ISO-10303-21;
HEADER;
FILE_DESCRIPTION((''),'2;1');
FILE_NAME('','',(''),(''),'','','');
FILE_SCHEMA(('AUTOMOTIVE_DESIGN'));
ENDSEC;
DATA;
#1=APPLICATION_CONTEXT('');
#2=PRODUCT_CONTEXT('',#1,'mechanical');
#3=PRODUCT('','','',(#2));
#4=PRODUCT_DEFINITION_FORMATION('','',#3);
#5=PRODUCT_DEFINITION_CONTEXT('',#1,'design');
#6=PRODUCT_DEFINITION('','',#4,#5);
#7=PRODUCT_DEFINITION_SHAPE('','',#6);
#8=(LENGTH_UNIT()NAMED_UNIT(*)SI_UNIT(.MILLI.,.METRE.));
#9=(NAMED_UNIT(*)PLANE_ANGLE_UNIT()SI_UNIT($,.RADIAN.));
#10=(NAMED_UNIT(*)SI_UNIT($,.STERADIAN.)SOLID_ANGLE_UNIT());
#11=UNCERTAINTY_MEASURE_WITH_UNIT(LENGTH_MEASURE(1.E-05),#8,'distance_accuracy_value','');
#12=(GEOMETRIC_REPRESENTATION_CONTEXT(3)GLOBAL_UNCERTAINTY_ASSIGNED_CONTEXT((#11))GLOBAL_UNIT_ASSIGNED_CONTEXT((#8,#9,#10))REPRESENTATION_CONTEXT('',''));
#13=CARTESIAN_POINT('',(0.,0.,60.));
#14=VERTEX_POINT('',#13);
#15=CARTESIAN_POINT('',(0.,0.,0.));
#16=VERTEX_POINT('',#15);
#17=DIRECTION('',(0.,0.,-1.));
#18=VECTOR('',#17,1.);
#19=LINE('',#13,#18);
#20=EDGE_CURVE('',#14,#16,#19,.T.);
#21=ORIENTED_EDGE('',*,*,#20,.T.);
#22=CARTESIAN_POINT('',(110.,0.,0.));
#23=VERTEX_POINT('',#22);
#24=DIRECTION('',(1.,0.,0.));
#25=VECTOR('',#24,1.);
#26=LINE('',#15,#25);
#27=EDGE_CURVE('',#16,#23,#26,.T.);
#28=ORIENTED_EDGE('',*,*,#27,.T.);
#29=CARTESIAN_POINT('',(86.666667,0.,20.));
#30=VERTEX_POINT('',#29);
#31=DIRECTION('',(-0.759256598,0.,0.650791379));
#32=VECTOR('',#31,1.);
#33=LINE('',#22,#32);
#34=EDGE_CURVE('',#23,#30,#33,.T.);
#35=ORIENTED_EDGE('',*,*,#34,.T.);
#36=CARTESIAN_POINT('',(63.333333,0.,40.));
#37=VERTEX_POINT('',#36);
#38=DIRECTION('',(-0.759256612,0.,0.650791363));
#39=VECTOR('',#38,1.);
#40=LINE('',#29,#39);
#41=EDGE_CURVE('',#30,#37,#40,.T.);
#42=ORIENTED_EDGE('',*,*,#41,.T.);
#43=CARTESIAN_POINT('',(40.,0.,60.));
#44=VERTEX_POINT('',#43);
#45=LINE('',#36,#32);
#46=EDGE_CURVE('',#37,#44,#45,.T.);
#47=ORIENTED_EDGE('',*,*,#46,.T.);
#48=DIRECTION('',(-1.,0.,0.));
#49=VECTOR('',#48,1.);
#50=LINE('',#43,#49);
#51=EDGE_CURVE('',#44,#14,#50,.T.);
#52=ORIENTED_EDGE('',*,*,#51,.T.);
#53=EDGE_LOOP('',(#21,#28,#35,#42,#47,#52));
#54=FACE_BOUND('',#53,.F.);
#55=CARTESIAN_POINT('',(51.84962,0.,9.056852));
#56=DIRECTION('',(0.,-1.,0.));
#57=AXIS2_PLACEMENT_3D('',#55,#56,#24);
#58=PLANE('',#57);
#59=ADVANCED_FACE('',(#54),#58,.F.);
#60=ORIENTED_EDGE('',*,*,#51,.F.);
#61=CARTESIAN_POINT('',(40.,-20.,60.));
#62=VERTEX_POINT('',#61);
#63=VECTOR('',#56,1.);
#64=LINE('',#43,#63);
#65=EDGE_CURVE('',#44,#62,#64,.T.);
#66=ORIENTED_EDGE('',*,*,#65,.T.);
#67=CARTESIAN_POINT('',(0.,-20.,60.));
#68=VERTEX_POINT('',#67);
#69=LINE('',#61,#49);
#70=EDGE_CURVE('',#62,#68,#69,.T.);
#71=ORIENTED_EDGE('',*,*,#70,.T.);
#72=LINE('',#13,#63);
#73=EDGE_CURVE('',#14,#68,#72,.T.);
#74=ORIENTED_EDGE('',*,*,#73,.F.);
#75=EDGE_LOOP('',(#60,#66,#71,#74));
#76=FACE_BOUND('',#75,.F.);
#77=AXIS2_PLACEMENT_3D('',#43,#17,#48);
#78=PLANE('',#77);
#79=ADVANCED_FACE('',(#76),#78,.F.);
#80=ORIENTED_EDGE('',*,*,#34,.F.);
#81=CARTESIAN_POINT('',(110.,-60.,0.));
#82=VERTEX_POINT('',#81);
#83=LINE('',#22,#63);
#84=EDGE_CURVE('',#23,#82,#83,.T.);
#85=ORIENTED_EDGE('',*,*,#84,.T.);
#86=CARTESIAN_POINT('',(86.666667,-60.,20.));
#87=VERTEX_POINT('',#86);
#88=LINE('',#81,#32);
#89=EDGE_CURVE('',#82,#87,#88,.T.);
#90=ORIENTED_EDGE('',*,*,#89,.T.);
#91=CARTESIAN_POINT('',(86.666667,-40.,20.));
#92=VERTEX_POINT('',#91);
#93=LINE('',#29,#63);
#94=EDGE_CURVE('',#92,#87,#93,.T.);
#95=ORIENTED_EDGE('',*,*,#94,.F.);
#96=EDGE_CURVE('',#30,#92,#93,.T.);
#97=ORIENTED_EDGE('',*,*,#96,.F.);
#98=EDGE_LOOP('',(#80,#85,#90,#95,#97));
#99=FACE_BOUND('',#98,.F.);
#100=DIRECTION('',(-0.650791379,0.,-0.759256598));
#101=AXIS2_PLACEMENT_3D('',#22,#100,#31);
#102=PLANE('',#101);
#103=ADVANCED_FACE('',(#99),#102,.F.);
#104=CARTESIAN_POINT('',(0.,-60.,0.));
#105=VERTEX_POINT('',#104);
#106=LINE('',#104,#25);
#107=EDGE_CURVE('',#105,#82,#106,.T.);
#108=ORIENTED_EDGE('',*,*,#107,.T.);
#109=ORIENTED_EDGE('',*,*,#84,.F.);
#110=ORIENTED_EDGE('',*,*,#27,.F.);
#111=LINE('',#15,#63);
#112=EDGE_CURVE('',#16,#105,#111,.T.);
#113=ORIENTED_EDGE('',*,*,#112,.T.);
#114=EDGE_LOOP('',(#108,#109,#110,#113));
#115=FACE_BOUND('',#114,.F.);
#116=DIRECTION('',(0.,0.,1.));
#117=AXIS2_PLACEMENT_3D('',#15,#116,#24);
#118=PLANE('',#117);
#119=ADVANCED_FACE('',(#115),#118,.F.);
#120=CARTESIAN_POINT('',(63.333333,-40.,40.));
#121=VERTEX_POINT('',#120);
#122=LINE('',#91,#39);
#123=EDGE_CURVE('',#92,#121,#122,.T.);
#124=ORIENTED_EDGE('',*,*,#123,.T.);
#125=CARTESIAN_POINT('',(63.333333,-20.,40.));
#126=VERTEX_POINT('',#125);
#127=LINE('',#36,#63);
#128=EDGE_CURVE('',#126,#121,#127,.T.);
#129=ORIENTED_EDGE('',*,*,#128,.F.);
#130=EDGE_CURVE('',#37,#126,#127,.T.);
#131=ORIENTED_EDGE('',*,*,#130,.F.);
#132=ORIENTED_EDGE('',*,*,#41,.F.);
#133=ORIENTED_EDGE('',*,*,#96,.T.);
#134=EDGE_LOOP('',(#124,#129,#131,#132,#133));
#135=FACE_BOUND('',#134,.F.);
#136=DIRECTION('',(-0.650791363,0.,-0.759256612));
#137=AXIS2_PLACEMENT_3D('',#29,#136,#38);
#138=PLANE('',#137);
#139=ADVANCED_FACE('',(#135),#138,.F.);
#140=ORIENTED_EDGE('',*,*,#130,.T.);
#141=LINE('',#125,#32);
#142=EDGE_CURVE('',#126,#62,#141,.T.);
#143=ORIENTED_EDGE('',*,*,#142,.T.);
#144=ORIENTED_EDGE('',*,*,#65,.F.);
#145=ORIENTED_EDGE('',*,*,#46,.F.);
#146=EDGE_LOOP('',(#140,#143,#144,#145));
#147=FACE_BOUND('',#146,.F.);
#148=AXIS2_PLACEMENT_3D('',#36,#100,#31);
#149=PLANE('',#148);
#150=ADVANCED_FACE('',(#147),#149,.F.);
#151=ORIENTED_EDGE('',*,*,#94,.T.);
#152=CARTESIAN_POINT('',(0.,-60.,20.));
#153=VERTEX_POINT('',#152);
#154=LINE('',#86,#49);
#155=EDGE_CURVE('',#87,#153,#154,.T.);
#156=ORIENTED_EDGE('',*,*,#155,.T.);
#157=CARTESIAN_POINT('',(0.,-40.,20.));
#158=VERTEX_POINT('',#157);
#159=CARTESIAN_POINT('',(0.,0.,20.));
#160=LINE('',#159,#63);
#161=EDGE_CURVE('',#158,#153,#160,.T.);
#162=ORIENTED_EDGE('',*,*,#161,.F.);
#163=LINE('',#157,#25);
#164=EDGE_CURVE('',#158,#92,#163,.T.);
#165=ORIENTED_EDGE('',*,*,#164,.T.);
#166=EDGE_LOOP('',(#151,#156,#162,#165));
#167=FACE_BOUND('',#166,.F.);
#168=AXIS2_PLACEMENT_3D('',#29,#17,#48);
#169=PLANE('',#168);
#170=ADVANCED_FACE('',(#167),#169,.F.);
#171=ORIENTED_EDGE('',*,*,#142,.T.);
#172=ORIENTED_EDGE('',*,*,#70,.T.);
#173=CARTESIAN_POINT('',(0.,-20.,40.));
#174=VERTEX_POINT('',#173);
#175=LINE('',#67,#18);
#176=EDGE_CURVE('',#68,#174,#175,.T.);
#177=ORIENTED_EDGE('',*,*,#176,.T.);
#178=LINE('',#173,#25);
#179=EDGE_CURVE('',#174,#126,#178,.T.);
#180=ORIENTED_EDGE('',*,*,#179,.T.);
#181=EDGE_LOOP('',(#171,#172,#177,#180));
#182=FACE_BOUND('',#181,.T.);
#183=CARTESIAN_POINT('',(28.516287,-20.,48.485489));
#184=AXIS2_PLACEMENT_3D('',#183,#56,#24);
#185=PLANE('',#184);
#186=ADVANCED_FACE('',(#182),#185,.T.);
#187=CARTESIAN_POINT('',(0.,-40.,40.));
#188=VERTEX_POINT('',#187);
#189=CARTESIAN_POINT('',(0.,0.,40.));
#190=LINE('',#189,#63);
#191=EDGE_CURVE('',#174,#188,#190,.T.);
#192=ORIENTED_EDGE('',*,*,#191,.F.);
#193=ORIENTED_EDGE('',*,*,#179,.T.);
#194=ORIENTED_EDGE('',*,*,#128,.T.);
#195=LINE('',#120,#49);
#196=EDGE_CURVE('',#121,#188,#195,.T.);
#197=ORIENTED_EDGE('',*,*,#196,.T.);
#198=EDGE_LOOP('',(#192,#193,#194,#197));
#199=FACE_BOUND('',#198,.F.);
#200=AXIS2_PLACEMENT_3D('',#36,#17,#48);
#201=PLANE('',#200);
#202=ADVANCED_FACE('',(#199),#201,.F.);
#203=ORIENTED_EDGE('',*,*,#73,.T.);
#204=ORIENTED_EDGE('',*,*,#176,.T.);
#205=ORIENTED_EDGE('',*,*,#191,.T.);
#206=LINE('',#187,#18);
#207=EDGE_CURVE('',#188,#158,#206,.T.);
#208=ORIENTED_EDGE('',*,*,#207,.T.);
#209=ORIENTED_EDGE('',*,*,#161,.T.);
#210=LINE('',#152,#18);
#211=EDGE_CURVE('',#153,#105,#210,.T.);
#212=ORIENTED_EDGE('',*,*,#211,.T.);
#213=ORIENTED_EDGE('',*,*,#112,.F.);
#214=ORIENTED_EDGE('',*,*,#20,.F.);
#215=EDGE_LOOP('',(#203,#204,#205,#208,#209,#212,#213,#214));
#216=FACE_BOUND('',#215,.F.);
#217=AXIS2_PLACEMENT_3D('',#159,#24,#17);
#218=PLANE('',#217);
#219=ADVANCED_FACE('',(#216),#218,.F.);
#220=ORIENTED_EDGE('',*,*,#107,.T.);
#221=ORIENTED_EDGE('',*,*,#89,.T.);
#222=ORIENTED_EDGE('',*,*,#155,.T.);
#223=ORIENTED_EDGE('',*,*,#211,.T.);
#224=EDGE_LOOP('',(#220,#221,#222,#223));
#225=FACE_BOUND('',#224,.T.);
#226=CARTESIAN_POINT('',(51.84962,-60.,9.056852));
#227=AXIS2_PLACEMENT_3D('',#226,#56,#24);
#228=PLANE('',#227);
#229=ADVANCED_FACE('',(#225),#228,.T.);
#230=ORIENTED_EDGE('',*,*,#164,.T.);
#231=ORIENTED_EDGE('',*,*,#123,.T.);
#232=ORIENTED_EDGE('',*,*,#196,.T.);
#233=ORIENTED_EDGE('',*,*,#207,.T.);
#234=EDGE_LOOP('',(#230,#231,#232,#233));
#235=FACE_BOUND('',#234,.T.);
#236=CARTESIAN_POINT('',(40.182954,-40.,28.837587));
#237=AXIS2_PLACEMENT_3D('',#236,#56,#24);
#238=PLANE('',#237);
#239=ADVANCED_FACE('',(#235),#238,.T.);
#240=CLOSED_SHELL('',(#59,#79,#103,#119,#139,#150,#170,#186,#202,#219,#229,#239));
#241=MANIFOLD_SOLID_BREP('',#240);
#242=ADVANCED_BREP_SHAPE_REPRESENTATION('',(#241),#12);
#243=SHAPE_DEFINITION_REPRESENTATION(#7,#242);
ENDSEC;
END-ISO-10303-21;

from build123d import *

# Parameters (mm, degrees)
F1_DEPTH = 20
F2_DEPTH = 40
F3_DEPTH = 60


with BuildPart() as f1:
    # F0 (on Front) → F1 (new body)
    with BuildSketch(Plane.XZ):
        Polygon((0, 60), (0, 40), (63.333333, 40), (40, 60), align=None)
    extrude(amount=F1_DEPTH)

    # F0 (on Front) → F2 (join)
    with BuildSketch(Plane.XZ):
        Polygon((0, 40), (0, 20), (86.666667, 20), (63.333333, 40), align=None)
    extrude(amount=F2_DEPTH)

    # F0 (on Front) → F3 (join)
    with BuildSketch(Plane.XZ):
        Polygon((0, 20), (0, 0), (110, 0), (86.666667, 20), align=None)
    extrude(amount=F3_DEPTH)


solid = f1.part
